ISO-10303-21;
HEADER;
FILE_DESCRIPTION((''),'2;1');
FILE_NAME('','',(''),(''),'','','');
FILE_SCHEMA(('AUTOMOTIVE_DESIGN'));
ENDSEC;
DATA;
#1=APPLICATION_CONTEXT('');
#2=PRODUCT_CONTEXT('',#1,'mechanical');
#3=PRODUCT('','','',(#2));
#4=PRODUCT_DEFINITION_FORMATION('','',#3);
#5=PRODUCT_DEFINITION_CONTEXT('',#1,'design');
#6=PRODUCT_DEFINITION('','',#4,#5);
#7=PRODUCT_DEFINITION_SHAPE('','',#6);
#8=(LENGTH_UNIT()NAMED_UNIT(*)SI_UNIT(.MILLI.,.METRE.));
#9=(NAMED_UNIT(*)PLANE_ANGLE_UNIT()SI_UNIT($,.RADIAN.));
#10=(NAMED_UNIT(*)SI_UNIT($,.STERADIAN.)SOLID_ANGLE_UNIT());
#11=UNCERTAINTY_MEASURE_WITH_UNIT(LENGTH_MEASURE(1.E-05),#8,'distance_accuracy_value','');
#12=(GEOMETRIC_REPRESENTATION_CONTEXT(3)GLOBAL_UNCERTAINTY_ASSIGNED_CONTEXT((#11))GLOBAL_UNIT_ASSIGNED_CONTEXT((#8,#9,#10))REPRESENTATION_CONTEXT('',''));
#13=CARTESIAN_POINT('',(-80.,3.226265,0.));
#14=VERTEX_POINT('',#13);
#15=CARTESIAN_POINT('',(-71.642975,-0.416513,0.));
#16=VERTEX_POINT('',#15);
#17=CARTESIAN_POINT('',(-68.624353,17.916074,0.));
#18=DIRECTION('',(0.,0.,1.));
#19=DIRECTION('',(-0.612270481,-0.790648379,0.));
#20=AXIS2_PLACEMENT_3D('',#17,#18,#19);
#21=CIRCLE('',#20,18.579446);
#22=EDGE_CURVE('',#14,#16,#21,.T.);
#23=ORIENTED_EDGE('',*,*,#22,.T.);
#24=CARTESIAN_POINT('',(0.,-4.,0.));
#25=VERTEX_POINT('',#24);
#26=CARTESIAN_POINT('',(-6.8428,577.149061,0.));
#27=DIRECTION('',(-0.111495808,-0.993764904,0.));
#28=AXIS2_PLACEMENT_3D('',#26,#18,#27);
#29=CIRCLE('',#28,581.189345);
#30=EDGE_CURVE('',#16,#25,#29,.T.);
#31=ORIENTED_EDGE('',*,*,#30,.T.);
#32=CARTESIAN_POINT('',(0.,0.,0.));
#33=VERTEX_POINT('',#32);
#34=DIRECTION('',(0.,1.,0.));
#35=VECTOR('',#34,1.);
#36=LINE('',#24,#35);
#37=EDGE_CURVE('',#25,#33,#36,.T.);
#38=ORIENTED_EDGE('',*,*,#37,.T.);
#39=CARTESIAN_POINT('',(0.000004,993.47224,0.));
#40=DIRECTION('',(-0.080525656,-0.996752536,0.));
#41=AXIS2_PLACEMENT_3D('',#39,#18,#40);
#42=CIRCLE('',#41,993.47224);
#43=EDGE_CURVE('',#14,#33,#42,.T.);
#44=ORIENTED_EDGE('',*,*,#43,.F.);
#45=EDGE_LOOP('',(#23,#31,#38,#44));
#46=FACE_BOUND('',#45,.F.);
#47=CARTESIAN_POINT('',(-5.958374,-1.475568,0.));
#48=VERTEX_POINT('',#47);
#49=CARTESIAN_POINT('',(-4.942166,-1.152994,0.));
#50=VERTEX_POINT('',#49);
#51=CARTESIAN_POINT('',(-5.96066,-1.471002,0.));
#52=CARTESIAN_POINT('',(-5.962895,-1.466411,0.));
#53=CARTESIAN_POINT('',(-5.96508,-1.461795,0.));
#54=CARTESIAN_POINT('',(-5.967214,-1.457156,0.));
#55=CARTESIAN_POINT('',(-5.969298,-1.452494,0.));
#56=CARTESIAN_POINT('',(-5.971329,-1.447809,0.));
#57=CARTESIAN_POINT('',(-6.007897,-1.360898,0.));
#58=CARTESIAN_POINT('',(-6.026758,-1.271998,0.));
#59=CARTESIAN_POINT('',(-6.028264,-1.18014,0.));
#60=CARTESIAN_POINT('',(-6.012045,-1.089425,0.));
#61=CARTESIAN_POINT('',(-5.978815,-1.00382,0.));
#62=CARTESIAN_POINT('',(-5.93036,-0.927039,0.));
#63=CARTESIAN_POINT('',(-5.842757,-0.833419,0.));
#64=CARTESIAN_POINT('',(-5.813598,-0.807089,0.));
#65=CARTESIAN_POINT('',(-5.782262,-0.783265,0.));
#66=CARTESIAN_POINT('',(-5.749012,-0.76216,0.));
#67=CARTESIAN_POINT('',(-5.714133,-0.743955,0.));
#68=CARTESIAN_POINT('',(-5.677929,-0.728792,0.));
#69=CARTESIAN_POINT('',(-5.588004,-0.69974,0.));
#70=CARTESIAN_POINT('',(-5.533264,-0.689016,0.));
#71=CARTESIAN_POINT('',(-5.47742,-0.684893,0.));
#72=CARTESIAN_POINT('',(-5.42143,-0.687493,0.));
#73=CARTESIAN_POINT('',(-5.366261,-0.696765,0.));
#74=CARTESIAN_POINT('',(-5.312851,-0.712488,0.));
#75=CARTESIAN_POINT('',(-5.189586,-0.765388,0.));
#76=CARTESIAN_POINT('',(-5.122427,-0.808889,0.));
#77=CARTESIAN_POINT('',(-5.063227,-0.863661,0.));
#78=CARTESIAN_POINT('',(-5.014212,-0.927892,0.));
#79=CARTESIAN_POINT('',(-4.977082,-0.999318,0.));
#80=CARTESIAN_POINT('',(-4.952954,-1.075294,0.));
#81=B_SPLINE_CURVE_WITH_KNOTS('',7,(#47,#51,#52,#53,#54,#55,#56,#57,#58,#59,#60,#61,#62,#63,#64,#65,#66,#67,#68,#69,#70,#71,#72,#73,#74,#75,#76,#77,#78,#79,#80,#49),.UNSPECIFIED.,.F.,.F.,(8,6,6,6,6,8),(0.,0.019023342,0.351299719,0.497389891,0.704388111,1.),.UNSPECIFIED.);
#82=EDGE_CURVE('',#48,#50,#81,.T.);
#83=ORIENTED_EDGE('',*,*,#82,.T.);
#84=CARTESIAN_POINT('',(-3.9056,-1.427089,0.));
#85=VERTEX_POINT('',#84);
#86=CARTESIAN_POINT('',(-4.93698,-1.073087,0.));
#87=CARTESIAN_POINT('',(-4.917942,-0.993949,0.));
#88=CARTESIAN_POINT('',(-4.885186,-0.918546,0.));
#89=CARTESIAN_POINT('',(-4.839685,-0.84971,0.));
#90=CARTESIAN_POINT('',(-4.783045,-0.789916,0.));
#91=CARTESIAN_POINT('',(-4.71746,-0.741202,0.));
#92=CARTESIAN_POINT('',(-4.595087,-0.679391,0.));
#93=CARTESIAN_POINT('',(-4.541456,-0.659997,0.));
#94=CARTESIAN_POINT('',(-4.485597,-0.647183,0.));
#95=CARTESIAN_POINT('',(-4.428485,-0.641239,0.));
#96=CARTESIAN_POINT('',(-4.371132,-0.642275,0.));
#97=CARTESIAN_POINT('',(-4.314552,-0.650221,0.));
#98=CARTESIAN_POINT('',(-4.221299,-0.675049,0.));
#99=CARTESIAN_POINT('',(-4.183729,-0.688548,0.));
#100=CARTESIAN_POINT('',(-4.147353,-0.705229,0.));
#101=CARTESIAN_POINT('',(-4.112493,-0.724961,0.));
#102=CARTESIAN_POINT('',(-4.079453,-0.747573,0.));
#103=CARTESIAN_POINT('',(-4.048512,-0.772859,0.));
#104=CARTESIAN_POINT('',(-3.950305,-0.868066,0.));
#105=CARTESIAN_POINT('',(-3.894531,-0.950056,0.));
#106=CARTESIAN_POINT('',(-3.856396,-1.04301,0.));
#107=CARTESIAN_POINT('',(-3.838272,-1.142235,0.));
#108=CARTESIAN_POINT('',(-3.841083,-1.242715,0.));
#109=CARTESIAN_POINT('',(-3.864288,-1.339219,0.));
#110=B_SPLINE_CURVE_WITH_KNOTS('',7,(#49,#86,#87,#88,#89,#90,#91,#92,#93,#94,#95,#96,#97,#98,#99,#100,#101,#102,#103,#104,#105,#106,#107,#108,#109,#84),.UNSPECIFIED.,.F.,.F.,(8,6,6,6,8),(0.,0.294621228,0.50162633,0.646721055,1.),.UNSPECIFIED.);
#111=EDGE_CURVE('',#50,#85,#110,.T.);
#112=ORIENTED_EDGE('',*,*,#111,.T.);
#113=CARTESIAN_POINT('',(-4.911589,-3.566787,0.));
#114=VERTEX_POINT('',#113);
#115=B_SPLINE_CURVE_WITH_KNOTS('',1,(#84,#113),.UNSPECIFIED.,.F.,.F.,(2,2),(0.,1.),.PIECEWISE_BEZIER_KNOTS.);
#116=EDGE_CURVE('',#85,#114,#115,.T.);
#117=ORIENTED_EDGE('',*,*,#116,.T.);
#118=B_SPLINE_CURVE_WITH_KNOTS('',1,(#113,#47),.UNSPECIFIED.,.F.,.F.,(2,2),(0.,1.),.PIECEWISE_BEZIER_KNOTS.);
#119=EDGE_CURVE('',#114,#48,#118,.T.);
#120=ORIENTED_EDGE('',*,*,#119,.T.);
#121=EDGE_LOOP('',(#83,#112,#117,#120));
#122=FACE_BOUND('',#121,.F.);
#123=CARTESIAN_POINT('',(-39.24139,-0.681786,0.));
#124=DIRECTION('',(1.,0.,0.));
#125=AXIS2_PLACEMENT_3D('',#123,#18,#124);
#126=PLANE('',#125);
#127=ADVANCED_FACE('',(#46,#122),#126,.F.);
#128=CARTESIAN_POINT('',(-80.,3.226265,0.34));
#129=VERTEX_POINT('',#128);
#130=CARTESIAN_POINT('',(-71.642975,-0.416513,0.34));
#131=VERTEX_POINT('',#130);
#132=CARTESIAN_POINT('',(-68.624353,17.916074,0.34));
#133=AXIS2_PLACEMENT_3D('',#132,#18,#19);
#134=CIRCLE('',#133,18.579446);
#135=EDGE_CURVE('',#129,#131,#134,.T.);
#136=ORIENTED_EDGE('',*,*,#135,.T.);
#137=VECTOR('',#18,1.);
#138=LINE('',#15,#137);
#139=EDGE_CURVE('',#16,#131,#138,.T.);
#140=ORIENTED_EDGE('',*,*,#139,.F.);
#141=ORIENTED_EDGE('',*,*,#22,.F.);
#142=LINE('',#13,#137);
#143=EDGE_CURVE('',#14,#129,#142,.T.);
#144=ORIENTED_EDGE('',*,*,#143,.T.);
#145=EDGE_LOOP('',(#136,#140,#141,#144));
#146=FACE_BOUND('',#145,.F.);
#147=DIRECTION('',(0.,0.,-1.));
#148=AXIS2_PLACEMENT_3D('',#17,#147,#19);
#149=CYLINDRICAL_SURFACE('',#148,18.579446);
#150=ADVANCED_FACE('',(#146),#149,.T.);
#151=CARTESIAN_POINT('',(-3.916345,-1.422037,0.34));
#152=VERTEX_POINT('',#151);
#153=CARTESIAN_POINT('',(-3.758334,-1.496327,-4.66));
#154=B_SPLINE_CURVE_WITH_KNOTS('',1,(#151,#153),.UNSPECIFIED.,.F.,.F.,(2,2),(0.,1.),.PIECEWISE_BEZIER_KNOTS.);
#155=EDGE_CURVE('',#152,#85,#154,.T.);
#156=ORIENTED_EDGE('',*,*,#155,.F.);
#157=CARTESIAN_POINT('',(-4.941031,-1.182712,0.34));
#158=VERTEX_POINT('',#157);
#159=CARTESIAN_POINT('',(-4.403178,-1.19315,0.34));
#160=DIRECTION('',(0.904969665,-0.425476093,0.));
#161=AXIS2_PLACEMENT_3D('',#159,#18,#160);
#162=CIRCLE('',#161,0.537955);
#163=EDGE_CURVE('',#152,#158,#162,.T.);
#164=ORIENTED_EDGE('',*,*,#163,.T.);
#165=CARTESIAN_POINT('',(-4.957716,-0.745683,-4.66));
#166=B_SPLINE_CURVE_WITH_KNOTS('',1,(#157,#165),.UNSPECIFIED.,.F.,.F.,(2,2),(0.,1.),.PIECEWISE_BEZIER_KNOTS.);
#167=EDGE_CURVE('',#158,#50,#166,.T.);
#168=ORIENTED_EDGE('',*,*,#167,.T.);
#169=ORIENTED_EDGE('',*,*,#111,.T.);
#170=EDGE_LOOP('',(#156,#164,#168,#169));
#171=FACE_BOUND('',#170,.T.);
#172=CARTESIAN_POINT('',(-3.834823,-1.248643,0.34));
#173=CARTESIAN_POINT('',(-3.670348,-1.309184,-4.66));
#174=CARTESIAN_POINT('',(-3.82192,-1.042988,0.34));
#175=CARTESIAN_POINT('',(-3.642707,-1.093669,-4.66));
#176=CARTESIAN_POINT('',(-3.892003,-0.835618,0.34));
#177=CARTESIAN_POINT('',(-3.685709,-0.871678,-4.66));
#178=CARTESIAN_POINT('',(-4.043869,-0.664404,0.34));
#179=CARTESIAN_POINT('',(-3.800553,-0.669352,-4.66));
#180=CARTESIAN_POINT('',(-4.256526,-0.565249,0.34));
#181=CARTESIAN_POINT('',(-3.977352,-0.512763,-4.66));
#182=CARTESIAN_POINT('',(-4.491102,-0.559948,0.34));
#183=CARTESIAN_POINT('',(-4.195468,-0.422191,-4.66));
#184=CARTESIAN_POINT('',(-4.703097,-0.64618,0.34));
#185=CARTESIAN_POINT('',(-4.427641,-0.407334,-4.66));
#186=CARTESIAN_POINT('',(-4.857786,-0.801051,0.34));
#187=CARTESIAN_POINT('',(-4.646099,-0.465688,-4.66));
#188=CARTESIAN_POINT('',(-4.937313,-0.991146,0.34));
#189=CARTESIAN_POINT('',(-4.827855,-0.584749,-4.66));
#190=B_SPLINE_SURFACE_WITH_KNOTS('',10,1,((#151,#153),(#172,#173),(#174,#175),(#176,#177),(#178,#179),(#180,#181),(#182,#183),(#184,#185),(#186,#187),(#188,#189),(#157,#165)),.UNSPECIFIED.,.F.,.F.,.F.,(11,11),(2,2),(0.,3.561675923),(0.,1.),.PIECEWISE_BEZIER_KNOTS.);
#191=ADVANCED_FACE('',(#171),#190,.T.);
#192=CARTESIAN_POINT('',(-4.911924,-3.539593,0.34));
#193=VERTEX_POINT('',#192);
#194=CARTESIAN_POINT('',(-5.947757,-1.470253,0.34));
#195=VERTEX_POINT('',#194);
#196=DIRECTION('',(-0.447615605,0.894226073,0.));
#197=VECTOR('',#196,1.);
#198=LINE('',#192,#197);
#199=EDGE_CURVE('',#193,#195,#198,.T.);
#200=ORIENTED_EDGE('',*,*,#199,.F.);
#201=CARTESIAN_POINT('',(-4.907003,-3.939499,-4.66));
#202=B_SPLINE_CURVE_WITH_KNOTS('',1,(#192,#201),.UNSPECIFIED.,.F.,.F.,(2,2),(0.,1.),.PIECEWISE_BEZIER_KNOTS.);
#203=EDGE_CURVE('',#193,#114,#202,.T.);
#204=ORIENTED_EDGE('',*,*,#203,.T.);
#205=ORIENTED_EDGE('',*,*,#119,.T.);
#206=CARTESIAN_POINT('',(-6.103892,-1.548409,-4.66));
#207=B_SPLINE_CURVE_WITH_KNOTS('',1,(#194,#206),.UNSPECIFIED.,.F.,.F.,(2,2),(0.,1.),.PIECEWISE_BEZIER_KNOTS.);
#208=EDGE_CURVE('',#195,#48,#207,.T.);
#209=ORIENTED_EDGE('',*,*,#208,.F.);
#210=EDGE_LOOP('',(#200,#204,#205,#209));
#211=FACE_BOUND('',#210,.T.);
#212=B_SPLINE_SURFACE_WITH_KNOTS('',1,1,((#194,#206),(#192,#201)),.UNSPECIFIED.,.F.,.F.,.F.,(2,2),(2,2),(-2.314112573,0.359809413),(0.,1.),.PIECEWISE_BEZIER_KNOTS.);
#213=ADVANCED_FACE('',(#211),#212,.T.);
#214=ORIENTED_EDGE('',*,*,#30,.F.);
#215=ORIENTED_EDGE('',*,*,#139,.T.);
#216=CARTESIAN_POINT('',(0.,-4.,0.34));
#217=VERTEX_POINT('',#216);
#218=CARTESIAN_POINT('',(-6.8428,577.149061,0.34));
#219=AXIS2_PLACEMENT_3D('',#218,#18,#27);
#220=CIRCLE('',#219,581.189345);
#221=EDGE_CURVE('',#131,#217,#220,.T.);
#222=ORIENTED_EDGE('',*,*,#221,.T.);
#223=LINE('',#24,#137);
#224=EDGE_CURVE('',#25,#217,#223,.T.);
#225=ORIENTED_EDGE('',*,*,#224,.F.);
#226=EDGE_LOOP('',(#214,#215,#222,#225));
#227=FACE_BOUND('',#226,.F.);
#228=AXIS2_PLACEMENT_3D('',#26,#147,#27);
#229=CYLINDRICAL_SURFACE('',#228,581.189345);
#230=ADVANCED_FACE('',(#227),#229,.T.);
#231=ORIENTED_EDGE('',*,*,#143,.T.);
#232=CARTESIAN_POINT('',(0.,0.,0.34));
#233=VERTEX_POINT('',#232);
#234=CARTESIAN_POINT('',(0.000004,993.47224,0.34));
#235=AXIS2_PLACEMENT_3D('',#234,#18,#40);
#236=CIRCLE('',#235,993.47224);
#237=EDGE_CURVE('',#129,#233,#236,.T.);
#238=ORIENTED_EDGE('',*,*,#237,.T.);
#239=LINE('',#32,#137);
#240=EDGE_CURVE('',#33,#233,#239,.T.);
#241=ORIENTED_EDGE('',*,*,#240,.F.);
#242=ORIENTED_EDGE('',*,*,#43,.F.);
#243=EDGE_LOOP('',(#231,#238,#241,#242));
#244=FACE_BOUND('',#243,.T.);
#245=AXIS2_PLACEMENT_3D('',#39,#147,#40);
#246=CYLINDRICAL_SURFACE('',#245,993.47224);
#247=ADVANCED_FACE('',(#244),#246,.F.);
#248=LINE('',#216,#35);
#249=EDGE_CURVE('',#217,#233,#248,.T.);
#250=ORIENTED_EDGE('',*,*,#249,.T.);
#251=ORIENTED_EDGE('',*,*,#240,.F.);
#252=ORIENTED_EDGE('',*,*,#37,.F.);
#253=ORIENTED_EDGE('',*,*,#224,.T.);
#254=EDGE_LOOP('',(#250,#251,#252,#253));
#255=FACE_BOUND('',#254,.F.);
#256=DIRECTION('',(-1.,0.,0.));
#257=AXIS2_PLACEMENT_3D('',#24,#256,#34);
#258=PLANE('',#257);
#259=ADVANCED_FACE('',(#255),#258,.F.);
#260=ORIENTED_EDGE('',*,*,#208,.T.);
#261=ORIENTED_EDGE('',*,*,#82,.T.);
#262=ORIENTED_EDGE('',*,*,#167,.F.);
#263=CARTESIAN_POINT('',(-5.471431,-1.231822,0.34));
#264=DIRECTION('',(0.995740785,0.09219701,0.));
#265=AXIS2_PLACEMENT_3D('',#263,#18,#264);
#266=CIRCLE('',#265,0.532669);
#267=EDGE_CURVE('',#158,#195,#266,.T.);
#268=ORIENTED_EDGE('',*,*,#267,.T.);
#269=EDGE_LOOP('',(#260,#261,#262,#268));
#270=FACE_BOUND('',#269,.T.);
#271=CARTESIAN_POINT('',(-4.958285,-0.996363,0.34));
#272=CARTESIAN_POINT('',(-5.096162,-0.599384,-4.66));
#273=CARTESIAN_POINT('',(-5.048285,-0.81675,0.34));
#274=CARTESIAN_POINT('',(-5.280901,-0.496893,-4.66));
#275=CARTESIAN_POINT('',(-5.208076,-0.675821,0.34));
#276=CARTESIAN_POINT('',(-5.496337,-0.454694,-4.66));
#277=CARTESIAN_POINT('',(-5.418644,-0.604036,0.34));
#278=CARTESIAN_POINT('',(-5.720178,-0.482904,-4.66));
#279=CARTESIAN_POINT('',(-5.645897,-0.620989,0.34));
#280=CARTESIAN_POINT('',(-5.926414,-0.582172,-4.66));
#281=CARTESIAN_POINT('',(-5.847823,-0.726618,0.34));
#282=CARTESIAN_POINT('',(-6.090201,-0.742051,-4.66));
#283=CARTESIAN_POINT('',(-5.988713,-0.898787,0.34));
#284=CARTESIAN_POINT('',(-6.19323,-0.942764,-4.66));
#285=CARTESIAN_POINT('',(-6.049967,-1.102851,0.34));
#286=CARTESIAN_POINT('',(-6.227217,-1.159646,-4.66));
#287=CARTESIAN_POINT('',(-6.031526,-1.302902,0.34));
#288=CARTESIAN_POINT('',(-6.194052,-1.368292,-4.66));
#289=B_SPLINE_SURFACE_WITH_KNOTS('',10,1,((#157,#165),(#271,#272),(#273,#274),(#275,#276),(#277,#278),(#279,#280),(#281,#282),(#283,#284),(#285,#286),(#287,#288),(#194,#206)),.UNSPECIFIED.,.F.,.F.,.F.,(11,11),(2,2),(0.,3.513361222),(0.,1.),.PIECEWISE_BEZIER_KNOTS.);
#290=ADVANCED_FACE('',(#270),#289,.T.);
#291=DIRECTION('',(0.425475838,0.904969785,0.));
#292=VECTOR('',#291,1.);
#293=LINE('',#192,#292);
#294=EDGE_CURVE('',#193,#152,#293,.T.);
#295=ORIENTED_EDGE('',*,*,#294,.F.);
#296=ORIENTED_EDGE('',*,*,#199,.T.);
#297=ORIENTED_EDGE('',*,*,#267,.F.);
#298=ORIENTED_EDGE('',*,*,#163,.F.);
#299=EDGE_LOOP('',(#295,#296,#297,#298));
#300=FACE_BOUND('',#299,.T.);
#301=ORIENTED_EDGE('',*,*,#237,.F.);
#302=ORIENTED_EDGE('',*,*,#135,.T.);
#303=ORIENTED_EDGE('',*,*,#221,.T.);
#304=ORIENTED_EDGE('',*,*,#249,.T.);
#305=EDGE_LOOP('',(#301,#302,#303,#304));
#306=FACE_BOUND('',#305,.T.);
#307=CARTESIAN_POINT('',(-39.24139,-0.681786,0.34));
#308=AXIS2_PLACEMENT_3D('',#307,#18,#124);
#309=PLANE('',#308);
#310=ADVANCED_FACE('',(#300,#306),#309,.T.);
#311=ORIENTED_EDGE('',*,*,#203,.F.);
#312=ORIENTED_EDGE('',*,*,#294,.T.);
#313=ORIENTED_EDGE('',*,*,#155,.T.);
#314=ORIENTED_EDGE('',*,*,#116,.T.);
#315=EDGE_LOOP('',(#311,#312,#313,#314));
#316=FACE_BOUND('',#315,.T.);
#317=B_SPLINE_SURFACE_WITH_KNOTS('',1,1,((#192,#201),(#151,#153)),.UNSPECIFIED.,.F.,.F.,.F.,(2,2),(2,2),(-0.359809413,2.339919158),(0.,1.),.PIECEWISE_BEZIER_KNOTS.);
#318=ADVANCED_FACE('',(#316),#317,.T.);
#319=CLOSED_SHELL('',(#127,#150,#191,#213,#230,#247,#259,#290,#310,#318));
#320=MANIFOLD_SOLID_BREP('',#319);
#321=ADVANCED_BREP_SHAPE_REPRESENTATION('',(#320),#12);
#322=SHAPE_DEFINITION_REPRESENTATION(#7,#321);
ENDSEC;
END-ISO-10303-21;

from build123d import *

# Parameters (mm, degrees)
PAD_DEPTH    = 0.34
SKETCH001_W  = 0.156622
SKETCH001_H  = 0.149374
POCKET_DEPTH = 5
POCKET_TAPER = -2


with BuildPart() as part:
    # Sketch → Pad (new body)
    with BuildSketch(Plane.XY):
        with BuildLine():
            Line((0, -4), (0, 0))
            ThreePointArc((-80, 3.226265), (-40.032514, 0.806894), (0, 0))
            ThreePointArc((-80, 3.226265), (-76.048382, 0.88435), (-71.642975, -0.416513))
            ThreePointArc((-71.642975, -0.416513), (-35.876826, -3.314616), (0, -4))
        make_face()
    extrude(amount=PAD_DEPTH)

    # Sketch001 (on Face6 of Pad) → Pocket (cut)
    with BuildSketch(Plane.XY.offset(0.34)):
        with Locations((28.704066, -26.028716)):
            Rectangle(SKETCH001_W, SKETCH001_H)
        with BuildLine():
            ThreePointArc((-4.941031, -1.182712), (-5.617721, -0.719636), (-5.947757, -1.470253))
            Line((-4.911924, -3.539593), (-5.947757, -1.470253))
            Line((-4.911924, -3.539593), (-3.916345, -1.422037))
            ThreePointArc((-3.916345, -1.422037), (-4.280826, -0.669294), (-4.941031, -1.182712))
        make_face()
    extrude(amount=-POCKET_DEPTH, taper=POCKET_TAPER, mode=Mode.SUBTRACT)


solid = part.part
